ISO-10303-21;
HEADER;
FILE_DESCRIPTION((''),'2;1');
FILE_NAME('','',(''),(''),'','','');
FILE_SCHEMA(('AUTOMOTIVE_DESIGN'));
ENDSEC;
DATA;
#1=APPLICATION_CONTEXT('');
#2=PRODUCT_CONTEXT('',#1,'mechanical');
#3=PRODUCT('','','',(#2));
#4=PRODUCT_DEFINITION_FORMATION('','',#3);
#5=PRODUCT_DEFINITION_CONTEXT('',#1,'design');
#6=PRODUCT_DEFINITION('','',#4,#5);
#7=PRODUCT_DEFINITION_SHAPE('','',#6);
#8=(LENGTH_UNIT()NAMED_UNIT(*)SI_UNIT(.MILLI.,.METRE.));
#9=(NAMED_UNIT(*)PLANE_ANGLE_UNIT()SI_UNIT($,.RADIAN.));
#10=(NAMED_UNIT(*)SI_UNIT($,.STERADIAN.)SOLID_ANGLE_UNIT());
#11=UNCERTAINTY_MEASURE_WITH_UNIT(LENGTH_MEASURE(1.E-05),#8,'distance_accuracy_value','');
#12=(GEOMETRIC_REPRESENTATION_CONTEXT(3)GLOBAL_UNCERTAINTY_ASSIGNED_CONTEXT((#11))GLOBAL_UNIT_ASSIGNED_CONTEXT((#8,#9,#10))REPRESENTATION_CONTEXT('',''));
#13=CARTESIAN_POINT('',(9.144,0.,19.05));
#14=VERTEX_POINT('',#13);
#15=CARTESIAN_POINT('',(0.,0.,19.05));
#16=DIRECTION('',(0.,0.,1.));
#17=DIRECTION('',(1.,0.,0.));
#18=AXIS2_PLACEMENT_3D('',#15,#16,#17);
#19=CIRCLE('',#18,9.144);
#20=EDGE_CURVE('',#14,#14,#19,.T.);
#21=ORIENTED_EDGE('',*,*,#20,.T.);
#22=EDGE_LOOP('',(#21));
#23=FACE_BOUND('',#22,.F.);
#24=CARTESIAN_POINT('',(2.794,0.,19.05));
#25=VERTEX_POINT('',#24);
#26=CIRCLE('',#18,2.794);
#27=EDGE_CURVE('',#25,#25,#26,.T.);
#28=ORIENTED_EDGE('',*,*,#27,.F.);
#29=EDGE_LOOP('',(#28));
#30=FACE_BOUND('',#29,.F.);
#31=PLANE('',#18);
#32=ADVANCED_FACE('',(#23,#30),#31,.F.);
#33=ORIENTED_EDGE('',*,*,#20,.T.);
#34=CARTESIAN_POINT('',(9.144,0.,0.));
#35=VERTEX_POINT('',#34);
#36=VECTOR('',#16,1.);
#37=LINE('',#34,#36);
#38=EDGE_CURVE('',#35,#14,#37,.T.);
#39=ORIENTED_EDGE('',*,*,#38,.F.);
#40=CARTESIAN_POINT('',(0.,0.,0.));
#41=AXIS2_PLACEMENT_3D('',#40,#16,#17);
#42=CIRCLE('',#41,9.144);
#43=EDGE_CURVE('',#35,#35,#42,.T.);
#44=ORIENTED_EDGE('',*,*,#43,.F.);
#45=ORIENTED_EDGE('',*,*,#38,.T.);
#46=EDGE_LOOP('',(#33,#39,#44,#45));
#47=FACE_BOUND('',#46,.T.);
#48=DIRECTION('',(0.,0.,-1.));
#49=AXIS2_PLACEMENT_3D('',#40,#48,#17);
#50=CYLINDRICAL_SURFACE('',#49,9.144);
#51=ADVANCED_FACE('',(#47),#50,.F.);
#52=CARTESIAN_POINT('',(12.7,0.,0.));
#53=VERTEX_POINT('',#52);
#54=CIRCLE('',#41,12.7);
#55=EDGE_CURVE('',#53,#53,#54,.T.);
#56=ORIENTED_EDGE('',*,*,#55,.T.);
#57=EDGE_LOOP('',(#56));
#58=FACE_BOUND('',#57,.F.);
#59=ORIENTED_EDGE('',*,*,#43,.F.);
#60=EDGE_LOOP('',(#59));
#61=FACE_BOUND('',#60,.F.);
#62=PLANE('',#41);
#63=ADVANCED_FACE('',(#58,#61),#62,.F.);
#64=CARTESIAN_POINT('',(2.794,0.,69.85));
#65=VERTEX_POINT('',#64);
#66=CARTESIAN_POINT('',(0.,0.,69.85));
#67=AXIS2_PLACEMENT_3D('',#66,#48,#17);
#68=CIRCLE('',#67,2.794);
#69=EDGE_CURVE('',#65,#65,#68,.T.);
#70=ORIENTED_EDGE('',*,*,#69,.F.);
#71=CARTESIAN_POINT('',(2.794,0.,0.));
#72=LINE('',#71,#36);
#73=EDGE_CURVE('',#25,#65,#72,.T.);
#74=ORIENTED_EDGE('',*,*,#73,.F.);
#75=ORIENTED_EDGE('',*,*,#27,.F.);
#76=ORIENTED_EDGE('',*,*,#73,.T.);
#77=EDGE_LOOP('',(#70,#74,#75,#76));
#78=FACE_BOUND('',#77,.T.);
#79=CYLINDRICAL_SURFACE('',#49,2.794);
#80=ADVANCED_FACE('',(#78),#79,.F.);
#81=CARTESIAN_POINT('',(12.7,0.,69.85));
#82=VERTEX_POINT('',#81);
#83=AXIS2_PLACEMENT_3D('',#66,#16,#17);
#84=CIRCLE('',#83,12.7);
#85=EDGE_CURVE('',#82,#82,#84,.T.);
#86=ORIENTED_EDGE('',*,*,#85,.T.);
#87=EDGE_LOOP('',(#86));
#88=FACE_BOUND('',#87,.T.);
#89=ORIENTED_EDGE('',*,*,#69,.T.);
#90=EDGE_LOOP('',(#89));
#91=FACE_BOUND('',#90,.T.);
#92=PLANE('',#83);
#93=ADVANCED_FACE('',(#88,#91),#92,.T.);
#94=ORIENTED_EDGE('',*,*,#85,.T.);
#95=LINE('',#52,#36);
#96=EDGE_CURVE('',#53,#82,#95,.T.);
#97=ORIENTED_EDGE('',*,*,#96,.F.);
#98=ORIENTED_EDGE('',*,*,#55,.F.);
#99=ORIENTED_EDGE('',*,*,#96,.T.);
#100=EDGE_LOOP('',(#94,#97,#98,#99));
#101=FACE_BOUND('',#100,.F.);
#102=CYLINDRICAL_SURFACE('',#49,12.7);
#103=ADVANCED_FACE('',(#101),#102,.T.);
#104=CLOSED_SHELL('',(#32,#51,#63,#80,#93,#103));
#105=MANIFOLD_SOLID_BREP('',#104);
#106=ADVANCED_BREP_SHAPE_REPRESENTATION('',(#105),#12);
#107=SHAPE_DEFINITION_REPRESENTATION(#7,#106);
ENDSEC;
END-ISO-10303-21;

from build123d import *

# Parameters (mm, degrees)
F0_R     = 12.7
F0_R_2   = 9.144
F0_R_3   = 2.794
F1_DEPTH = 69.85
F2_DEPTH = 69.851
F3_DEPTH = 19.05


with BuildPart() as f1:
    # F0 (on Top) → F1 (new body)
    with BuildSketch(Plane.XY):
        Circle(F0_R)
        Circle(F0_R_2, mode=Mode.SUBTRACT)
        Circle(F0_R_2)
        Circle(F0_R_3, mode=Mode.SUBTRACT)
        Circle(F0_R_3)
    extrude(amount=F1_DEPTH)

    # F0 (on Top) → F2 (cut, through all)
    with BuildSketch(Plane.XY):
        Circle(F0_R_3)
    extrude(amount=F2_DEPTH, mode=Mode.SUBTRACT)

    # F0 (on Top) → F3 (cut)
    with BuildSketch(Plane.XY):
        Circle(F0_R_2)
        Circle(F0_R_3, mode=Mode.SUBTRACT)
    extrude(amount=F3_DEPTH, mode=Mode.SUBTRACT)


solid = f1.part
